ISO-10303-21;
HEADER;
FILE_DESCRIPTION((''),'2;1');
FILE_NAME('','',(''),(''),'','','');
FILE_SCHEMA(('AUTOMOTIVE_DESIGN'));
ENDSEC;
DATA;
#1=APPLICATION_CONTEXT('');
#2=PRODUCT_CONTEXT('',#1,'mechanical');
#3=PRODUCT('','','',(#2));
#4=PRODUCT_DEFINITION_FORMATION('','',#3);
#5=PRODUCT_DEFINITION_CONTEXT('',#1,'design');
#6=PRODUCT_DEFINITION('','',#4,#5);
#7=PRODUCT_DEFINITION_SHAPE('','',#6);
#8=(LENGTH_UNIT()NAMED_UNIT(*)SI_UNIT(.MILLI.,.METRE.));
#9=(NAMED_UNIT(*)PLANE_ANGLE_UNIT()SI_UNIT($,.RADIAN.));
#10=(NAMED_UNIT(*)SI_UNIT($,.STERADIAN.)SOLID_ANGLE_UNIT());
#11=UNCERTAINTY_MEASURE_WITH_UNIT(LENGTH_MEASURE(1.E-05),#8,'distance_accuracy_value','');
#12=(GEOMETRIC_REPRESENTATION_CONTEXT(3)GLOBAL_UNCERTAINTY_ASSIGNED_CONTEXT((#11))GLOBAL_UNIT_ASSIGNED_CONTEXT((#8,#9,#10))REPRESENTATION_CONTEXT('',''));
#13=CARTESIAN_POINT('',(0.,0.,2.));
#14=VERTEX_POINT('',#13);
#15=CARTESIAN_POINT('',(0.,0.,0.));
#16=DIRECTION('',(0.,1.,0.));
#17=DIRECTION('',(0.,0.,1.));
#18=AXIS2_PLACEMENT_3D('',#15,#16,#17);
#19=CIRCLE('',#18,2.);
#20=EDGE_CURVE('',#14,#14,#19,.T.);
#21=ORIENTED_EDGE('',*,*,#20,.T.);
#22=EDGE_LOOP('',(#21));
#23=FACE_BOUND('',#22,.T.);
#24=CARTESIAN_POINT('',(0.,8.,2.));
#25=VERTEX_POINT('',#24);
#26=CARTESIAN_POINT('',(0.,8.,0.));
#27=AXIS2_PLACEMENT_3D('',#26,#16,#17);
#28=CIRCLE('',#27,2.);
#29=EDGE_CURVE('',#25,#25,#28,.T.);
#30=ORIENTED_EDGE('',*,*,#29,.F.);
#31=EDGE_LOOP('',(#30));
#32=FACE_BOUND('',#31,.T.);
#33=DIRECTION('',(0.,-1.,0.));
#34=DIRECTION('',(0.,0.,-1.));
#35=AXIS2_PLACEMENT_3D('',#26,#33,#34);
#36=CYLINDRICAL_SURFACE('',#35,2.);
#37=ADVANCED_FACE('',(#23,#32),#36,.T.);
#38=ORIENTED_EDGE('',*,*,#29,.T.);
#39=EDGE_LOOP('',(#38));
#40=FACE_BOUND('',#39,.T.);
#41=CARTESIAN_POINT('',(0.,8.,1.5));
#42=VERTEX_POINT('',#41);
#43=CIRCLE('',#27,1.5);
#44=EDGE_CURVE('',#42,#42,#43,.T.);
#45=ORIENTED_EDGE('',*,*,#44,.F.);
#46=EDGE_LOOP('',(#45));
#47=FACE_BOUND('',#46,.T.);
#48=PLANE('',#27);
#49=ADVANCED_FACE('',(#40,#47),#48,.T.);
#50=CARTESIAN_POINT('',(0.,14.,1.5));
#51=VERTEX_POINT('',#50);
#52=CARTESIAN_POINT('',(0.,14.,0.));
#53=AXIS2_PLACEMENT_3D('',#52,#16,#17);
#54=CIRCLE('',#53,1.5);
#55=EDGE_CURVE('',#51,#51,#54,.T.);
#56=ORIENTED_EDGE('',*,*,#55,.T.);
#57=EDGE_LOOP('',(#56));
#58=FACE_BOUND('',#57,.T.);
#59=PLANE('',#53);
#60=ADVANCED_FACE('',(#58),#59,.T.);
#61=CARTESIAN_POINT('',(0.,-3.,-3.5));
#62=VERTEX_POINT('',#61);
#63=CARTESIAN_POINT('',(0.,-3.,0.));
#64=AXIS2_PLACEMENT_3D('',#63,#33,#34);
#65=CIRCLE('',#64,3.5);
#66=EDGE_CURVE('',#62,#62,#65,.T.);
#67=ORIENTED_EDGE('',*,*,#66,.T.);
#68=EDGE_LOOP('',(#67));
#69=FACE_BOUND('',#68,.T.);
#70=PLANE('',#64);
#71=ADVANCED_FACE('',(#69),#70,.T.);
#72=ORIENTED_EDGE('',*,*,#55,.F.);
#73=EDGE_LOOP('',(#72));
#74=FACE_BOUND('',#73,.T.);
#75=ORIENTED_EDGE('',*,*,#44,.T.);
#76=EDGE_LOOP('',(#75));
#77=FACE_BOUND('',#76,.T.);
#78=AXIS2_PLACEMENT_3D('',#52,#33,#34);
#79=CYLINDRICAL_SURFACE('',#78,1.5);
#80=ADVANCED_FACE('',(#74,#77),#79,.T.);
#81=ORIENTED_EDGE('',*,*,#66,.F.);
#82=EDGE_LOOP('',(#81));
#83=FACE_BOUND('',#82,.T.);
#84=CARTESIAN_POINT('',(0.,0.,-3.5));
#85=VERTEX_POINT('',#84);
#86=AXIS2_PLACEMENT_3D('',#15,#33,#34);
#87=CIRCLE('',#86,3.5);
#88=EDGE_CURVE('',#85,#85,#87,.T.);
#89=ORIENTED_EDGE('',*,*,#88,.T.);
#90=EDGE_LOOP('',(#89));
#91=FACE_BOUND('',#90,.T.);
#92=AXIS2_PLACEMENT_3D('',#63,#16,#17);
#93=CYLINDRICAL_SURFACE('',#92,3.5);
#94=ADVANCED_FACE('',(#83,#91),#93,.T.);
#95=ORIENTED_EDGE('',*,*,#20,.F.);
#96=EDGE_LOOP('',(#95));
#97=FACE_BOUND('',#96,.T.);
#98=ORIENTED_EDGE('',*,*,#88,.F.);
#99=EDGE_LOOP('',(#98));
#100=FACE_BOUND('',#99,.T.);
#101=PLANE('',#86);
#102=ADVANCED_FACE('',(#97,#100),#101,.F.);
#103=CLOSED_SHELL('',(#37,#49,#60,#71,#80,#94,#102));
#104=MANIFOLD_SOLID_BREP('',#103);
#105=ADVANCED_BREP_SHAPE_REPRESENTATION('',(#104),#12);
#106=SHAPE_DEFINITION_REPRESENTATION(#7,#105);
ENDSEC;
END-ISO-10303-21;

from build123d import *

# Parameters (mm, degrees)
SKETCH_1_R      = 2
EXTRUDE_1_DEPTH = 8
SKETCH_2_R      = 1.5
EXTRUDE_2_DEPTH = 6
SKETCH_3_R      = 3.5
EXTRUDE_3_DEPTH = 3


with BuildPart() as part:
    # 草图1 → 凸台-拉伸1 (new body)
    with BuildSketch(Plane(origin=(0, 0, 0), x_dir=(1, 0, 0), z_dir=(0, 1, 0))):
        Circle(SKETCH_1_R)
    extrude(amount=EXTRUDE_1_DEPTH)

    # 草图2 → 凸台-拉伸2 (add)
    with BuildSketch(Plane(origin=(0, 8, 0), x_dir=(1, 0, 0), z_dir=(0, 1, 0))):
        Circle(SKETCH_2_R)
    extrude(amount=EXTRUDE_2_DEPTH)

    # 草图3 → 凸台-拉伸3 (add)
    with BuildSketch(Plane.XZ):
        Circle(SKETCH_3_R)
    extrude(amount=EXTRUDE_3_DEPTH)


solid = part.part
